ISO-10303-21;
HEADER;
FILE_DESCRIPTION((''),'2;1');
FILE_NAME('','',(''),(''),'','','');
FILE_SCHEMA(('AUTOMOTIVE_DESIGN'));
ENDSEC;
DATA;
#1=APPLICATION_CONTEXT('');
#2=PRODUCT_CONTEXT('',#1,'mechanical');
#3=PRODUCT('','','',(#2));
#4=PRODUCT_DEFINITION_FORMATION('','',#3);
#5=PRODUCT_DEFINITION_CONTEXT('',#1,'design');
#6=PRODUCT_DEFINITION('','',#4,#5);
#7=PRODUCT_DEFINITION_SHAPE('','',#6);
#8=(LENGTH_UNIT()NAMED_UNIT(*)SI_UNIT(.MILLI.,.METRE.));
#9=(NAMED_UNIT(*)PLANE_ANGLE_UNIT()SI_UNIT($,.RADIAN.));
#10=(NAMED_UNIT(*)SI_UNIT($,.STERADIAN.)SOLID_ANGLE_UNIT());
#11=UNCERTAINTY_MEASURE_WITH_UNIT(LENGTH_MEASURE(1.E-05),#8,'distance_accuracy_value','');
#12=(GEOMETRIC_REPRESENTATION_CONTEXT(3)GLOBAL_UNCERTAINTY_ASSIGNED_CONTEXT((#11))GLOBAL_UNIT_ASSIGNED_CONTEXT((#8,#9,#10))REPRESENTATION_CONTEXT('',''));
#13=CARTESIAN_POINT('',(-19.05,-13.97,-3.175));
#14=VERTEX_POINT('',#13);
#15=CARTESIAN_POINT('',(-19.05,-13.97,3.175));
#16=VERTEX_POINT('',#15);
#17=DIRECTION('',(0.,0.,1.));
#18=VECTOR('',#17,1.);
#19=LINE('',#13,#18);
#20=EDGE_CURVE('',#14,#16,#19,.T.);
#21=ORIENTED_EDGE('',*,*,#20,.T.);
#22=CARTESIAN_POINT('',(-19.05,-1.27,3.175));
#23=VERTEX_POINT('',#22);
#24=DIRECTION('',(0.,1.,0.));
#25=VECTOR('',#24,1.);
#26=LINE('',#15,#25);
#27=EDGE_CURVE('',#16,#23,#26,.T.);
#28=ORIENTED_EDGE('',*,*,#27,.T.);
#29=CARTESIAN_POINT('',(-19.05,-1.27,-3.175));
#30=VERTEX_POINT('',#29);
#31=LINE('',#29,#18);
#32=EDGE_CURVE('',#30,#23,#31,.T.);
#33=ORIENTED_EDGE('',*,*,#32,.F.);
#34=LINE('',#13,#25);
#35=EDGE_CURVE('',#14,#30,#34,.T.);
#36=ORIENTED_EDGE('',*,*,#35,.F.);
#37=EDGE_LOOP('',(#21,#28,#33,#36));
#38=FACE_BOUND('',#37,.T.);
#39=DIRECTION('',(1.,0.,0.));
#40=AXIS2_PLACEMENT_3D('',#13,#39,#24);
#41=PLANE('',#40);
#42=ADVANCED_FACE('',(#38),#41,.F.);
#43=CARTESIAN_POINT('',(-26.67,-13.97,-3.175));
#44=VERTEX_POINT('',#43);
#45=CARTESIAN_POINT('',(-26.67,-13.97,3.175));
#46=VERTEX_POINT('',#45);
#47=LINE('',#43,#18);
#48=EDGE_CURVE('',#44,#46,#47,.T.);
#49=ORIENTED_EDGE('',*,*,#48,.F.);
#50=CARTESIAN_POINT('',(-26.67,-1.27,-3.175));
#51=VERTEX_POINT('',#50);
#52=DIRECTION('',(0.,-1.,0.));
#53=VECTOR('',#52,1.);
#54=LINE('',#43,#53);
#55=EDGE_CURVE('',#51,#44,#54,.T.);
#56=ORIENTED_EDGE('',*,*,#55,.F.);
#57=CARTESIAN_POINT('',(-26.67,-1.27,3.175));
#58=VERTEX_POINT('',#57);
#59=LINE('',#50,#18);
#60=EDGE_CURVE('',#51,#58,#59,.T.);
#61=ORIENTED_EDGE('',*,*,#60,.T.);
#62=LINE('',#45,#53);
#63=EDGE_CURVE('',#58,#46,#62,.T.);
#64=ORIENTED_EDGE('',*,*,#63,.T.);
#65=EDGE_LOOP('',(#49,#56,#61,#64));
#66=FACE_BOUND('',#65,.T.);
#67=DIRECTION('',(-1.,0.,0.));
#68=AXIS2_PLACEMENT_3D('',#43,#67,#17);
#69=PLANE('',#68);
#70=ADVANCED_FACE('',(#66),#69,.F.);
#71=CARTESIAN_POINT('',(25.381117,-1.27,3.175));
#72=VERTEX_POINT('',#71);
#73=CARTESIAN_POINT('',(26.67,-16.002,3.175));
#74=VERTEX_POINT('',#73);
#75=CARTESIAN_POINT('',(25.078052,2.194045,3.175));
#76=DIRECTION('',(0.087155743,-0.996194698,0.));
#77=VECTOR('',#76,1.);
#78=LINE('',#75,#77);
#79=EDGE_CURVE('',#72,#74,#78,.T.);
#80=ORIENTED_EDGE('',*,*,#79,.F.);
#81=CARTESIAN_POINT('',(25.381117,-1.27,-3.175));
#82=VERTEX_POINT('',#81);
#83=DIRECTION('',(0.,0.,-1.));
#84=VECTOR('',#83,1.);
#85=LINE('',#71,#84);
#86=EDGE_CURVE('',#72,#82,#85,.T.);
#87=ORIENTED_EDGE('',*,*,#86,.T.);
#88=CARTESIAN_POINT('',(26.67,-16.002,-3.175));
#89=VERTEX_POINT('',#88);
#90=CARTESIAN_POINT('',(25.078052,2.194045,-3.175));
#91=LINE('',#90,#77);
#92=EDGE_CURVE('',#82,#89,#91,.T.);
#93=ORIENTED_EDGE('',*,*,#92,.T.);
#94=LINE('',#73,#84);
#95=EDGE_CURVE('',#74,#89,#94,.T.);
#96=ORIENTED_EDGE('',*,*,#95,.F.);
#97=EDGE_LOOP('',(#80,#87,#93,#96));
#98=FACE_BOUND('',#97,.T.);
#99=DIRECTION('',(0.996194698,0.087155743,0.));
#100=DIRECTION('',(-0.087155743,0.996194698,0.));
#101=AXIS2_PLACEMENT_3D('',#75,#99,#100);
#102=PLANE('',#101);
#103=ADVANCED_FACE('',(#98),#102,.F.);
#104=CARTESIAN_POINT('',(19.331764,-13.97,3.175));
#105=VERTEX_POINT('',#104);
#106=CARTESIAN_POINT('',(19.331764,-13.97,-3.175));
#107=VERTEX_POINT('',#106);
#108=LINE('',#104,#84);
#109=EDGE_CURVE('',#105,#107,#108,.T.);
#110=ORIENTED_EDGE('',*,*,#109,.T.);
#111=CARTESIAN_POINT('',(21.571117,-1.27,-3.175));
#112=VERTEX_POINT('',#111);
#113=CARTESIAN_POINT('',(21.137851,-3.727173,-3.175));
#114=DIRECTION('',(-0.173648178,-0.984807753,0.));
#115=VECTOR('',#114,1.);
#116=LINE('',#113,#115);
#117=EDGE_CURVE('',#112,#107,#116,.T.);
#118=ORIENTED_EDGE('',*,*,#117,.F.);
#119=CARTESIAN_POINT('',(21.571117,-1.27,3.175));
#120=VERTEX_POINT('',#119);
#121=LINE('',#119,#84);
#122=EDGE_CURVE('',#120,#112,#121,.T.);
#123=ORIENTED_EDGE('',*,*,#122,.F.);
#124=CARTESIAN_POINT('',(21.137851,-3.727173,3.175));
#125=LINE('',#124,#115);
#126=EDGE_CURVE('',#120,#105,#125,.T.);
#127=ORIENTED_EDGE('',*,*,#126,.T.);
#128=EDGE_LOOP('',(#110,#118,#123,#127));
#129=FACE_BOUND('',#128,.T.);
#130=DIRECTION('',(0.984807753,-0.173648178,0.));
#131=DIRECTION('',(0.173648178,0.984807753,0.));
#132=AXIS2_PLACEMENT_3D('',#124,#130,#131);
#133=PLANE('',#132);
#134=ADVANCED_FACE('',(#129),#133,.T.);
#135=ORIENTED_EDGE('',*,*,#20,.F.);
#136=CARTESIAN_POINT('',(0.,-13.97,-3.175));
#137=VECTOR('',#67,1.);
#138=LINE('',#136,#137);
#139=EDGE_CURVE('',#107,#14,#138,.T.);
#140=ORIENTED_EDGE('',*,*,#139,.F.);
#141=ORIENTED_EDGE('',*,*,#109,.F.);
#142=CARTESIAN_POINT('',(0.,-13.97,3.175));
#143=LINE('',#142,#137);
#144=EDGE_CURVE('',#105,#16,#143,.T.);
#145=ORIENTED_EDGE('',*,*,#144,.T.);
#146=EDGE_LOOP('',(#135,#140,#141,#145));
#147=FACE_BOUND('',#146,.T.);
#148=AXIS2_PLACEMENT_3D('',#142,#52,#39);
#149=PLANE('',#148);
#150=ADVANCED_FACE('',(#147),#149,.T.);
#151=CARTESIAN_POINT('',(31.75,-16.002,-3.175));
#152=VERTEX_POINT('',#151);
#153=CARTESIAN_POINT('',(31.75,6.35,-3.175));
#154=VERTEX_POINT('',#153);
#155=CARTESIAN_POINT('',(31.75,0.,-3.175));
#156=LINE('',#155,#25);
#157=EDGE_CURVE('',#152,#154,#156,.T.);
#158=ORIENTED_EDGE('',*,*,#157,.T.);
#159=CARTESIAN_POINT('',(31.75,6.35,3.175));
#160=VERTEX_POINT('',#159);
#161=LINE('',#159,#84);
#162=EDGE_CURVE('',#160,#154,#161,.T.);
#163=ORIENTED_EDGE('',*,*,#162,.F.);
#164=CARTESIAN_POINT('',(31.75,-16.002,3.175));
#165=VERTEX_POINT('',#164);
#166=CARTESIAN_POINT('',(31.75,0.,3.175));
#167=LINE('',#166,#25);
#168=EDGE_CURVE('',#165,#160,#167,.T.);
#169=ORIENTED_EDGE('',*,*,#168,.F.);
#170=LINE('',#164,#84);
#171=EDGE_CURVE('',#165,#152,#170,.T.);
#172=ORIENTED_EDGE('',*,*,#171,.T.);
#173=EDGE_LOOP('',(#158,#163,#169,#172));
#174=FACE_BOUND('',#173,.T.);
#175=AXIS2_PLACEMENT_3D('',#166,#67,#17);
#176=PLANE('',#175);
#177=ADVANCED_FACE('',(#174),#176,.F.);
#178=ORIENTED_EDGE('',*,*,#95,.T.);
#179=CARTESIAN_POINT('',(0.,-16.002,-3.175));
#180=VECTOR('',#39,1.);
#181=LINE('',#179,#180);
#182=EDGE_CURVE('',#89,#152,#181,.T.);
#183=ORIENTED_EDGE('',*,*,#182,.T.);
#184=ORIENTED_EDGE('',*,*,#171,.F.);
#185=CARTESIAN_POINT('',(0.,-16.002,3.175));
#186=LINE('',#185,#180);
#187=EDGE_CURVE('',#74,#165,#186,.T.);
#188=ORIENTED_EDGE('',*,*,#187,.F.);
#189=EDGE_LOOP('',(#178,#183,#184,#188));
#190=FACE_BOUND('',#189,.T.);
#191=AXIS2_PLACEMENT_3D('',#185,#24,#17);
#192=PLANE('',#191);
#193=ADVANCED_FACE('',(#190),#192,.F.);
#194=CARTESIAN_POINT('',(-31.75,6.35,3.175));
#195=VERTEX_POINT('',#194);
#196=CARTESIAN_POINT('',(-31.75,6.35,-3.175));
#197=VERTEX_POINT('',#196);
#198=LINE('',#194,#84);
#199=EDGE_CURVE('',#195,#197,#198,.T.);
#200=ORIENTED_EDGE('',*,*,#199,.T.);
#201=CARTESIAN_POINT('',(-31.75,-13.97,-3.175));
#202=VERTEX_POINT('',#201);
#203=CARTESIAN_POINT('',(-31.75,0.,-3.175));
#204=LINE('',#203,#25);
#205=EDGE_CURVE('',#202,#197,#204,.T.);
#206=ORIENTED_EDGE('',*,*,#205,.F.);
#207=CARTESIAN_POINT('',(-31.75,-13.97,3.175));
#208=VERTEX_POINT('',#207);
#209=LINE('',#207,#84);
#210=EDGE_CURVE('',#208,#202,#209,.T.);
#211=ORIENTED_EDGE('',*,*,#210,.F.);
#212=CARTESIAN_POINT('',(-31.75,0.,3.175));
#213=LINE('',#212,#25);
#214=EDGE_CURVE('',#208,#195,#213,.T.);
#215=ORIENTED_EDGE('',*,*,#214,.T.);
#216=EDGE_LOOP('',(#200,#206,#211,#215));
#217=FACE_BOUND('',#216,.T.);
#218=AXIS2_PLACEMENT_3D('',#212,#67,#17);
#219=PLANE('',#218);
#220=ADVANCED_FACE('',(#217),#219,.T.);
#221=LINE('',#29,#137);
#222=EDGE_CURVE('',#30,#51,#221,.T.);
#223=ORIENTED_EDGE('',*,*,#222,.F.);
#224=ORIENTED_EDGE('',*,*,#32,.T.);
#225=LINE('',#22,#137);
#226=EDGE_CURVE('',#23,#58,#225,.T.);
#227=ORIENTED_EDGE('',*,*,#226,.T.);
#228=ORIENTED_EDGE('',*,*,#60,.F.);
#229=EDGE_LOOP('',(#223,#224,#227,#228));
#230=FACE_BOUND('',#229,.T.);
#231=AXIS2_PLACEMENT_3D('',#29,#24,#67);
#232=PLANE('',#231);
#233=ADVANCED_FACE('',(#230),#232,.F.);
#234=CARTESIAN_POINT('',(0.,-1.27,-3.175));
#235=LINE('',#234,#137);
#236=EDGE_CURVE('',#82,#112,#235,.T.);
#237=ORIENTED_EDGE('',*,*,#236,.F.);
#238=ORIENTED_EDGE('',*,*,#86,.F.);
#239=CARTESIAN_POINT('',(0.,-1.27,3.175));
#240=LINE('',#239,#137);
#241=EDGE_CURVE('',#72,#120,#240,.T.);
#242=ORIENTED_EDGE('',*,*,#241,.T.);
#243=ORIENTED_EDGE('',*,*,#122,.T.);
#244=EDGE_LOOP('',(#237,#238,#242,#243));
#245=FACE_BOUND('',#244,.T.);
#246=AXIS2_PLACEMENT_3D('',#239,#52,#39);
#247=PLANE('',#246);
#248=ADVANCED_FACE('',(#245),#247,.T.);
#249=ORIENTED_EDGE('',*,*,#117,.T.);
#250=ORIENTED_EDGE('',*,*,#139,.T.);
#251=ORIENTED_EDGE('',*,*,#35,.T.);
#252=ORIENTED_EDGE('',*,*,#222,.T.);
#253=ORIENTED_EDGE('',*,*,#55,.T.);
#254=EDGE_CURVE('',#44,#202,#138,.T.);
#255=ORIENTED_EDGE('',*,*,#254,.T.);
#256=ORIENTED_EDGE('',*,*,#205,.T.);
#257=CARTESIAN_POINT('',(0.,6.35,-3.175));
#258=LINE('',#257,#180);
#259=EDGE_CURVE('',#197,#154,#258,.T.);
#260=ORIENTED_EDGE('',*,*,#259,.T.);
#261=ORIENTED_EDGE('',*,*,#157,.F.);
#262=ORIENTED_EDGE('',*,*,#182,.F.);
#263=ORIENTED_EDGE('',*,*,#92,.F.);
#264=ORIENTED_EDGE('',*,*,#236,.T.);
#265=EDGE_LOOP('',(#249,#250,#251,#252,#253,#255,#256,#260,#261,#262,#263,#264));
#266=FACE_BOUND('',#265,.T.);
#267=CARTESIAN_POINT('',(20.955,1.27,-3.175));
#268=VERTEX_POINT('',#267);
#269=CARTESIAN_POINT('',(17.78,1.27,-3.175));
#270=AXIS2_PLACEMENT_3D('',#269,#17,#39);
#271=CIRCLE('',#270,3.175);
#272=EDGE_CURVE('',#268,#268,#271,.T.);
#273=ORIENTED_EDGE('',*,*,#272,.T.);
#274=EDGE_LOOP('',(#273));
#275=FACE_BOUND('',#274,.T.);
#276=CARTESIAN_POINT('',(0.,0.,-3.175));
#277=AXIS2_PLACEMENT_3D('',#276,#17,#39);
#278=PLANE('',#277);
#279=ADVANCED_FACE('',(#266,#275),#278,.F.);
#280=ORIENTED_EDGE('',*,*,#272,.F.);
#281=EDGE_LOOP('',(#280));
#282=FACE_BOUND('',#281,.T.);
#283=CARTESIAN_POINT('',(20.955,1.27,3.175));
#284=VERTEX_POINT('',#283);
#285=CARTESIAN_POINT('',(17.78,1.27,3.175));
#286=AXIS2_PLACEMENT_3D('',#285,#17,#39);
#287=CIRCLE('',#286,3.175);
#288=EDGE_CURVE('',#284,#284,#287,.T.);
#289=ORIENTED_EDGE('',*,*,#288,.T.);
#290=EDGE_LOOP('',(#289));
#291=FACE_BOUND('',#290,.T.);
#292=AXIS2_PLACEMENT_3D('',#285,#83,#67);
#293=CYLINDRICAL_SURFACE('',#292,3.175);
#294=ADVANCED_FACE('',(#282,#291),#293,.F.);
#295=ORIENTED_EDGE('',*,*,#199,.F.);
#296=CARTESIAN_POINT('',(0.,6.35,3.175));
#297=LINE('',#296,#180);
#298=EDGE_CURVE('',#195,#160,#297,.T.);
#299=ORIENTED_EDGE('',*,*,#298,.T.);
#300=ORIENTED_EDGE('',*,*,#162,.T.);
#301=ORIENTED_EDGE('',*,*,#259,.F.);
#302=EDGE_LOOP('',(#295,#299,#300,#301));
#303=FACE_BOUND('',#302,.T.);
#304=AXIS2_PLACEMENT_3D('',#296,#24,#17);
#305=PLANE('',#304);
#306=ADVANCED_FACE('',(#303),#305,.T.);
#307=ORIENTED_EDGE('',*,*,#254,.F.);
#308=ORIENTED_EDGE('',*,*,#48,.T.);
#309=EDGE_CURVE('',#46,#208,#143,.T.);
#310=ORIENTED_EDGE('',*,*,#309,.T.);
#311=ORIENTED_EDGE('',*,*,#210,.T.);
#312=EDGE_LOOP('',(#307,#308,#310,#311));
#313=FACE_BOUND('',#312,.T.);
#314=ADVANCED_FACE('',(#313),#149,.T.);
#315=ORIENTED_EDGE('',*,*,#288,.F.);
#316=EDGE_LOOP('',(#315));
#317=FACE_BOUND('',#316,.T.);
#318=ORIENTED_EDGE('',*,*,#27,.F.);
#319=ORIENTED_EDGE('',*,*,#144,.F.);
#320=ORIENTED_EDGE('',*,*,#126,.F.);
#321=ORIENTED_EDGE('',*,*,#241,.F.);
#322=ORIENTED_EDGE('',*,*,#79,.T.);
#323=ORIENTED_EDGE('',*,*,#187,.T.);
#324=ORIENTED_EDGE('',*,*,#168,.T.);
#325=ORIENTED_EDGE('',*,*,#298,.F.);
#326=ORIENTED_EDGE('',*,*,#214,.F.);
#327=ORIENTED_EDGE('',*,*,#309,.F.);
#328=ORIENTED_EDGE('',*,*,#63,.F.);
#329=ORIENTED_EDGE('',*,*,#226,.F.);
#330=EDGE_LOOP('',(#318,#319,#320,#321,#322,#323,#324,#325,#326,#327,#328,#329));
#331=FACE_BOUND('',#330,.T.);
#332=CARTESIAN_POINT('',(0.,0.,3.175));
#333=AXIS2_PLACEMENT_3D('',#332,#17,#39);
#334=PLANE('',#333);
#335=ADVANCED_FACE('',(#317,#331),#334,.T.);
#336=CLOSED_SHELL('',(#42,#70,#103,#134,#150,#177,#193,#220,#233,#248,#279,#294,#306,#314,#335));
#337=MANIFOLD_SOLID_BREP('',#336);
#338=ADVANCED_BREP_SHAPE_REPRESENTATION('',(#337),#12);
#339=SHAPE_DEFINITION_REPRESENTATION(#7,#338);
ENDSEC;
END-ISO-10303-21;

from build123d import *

# Parameters (mm, degrees)
SKETCH1_R           = 3.175
BOSS_EXTRUDE1_DEPTH = 3.175
SKETCH2_W           = 7.62
SKETCH2_H           = 12.7
CUT_EXTRUDE1_DEPTH  = 7.35


with BuildPart() as part:
    # Sketch1 → Boss-Extrude1 (new body, symmetric)
    with BuildSketch(Plane.XY):
        Polygon((21.571117009, -1.27), (25.381117009, -1.27), (25.82555942, -6.35), (31.75, -6.35), (31.75, 6.35), (0, 6.35), (-6.35, 6.35), (-31.75, 6.35), (-31.75, -6.35), (20.675375947, -6.35), align=None)
        with Locations((17.78, 1.27)):
            Circle(SKETCH1_R, mode=Mode.SUBTRACT)
        Polygon((19.331764354, -13.97), (20.675375947, -6.35), (-31.75, -6.35), (-31.75, -13.97), align=None)
        Polygon((31.75, -6.35), (25.82555942, -6.35), (26.67, -16.002), (31.75, -16.002), align=None)
    extrude(amount=BOSS_EXTRUDE1_DEPTH, both=True)

    # Sketch2 → Cut-Extrude1 (cut, through all)
    with BuildSketch(Plane.XY.offset(3.175)):
        with Locations((-22.86, -7.62)):
            Rectangle(SKETCH2_W, SKETCH2_H)
    extrude(amount=-CUT_EXTRUDE1_DEPTH, mode=Mode.SUBTRACT)


solid = part.part
